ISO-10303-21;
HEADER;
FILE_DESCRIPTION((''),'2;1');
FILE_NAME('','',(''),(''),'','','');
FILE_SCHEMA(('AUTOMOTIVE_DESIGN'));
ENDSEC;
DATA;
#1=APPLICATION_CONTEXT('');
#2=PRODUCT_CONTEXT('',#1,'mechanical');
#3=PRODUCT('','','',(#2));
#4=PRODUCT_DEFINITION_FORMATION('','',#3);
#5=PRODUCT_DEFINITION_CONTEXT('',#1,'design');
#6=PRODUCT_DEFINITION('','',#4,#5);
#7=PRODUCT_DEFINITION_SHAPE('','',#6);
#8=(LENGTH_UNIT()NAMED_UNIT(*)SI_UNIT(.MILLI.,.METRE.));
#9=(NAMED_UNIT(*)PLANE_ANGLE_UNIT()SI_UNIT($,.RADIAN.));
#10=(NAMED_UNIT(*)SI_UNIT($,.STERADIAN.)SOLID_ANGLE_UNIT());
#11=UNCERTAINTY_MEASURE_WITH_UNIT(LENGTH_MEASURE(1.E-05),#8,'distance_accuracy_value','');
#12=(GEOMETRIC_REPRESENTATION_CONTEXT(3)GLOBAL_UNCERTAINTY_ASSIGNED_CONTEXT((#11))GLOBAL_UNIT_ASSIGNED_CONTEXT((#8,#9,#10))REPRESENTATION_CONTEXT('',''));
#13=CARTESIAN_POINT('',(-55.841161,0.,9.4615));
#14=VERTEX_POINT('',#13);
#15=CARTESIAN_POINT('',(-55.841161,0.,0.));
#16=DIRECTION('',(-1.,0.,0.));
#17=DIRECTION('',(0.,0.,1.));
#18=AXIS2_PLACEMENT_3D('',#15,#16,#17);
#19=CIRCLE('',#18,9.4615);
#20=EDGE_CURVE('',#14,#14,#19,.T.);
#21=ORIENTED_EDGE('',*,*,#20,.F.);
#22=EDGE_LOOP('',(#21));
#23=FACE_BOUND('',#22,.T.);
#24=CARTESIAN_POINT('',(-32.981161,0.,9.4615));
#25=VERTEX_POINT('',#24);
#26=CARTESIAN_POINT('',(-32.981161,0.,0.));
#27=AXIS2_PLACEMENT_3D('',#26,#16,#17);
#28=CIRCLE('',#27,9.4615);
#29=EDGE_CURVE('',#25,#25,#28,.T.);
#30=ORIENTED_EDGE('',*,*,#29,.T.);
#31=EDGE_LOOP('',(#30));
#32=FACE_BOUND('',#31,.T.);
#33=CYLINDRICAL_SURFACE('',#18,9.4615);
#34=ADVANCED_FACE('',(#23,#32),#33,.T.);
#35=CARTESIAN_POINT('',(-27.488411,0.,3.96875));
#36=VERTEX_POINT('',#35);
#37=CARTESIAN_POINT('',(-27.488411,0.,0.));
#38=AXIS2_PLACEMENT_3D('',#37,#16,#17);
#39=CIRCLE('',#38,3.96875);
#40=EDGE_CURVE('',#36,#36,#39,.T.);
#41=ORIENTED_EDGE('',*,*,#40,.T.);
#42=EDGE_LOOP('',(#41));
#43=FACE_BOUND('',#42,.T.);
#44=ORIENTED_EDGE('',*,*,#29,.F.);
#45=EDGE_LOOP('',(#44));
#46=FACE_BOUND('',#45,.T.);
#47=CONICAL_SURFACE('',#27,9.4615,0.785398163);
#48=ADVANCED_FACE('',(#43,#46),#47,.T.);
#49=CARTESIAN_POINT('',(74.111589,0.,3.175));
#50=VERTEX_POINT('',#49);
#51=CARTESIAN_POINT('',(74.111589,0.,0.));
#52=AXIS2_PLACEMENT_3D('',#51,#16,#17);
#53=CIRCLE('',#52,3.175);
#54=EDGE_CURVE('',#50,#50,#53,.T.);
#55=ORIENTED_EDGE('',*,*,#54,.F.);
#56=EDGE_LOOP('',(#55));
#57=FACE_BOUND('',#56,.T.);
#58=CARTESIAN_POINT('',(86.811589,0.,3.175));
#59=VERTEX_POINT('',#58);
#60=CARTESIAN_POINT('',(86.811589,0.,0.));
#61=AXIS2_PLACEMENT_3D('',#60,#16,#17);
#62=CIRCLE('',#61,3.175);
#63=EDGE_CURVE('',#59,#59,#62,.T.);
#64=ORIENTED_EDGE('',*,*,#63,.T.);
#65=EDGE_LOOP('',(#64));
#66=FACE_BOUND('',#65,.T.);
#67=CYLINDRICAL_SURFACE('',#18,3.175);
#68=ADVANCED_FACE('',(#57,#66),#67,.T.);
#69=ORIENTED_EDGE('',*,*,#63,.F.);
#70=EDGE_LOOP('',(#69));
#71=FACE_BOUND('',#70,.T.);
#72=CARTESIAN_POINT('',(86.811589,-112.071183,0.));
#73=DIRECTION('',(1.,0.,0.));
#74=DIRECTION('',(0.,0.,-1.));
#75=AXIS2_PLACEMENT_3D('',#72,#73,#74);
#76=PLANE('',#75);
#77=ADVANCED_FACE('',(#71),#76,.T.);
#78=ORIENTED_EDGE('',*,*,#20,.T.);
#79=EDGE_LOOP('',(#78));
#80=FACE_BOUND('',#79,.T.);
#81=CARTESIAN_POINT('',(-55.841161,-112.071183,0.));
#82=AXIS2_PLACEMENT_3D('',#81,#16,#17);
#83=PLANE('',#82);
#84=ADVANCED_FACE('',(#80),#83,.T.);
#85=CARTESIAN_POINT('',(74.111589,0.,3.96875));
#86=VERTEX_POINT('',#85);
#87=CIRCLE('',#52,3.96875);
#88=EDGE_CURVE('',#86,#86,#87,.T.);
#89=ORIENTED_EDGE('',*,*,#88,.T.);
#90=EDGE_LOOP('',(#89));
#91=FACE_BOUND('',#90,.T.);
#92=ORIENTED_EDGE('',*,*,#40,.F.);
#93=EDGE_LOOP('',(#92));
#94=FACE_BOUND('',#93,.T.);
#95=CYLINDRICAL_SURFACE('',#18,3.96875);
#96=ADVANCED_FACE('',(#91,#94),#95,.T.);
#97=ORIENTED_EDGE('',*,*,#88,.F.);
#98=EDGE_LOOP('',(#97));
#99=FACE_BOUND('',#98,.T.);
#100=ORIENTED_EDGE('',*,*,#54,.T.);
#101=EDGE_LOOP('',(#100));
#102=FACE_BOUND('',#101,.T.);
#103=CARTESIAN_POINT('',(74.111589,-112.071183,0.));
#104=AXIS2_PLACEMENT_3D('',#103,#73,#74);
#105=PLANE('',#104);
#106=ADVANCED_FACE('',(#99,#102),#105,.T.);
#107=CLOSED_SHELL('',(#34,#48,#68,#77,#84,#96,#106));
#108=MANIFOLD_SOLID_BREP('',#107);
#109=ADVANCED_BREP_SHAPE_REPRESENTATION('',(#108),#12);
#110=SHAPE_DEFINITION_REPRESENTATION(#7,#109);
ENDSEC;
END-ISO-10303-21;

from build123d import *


with BuildPart() as part:
    # Sketch1 one side → Revolve1 (revolve)
    with BuildSketch(Plane.XY):
        Polygon((-55.841161068, 9.4615), (-55.841161068, 0), (86.811588932, 0), (86.811588932, 3.175), (74.111588932, 3.175), (74.111588932, 3.96875), (-27.488411068, 3.96875), (-32.981161068, 9.4615), align=None)
    revolve(axis=Axis((-55.841161068, 0, 0), (1, 0, 0)))


solid = part.part
